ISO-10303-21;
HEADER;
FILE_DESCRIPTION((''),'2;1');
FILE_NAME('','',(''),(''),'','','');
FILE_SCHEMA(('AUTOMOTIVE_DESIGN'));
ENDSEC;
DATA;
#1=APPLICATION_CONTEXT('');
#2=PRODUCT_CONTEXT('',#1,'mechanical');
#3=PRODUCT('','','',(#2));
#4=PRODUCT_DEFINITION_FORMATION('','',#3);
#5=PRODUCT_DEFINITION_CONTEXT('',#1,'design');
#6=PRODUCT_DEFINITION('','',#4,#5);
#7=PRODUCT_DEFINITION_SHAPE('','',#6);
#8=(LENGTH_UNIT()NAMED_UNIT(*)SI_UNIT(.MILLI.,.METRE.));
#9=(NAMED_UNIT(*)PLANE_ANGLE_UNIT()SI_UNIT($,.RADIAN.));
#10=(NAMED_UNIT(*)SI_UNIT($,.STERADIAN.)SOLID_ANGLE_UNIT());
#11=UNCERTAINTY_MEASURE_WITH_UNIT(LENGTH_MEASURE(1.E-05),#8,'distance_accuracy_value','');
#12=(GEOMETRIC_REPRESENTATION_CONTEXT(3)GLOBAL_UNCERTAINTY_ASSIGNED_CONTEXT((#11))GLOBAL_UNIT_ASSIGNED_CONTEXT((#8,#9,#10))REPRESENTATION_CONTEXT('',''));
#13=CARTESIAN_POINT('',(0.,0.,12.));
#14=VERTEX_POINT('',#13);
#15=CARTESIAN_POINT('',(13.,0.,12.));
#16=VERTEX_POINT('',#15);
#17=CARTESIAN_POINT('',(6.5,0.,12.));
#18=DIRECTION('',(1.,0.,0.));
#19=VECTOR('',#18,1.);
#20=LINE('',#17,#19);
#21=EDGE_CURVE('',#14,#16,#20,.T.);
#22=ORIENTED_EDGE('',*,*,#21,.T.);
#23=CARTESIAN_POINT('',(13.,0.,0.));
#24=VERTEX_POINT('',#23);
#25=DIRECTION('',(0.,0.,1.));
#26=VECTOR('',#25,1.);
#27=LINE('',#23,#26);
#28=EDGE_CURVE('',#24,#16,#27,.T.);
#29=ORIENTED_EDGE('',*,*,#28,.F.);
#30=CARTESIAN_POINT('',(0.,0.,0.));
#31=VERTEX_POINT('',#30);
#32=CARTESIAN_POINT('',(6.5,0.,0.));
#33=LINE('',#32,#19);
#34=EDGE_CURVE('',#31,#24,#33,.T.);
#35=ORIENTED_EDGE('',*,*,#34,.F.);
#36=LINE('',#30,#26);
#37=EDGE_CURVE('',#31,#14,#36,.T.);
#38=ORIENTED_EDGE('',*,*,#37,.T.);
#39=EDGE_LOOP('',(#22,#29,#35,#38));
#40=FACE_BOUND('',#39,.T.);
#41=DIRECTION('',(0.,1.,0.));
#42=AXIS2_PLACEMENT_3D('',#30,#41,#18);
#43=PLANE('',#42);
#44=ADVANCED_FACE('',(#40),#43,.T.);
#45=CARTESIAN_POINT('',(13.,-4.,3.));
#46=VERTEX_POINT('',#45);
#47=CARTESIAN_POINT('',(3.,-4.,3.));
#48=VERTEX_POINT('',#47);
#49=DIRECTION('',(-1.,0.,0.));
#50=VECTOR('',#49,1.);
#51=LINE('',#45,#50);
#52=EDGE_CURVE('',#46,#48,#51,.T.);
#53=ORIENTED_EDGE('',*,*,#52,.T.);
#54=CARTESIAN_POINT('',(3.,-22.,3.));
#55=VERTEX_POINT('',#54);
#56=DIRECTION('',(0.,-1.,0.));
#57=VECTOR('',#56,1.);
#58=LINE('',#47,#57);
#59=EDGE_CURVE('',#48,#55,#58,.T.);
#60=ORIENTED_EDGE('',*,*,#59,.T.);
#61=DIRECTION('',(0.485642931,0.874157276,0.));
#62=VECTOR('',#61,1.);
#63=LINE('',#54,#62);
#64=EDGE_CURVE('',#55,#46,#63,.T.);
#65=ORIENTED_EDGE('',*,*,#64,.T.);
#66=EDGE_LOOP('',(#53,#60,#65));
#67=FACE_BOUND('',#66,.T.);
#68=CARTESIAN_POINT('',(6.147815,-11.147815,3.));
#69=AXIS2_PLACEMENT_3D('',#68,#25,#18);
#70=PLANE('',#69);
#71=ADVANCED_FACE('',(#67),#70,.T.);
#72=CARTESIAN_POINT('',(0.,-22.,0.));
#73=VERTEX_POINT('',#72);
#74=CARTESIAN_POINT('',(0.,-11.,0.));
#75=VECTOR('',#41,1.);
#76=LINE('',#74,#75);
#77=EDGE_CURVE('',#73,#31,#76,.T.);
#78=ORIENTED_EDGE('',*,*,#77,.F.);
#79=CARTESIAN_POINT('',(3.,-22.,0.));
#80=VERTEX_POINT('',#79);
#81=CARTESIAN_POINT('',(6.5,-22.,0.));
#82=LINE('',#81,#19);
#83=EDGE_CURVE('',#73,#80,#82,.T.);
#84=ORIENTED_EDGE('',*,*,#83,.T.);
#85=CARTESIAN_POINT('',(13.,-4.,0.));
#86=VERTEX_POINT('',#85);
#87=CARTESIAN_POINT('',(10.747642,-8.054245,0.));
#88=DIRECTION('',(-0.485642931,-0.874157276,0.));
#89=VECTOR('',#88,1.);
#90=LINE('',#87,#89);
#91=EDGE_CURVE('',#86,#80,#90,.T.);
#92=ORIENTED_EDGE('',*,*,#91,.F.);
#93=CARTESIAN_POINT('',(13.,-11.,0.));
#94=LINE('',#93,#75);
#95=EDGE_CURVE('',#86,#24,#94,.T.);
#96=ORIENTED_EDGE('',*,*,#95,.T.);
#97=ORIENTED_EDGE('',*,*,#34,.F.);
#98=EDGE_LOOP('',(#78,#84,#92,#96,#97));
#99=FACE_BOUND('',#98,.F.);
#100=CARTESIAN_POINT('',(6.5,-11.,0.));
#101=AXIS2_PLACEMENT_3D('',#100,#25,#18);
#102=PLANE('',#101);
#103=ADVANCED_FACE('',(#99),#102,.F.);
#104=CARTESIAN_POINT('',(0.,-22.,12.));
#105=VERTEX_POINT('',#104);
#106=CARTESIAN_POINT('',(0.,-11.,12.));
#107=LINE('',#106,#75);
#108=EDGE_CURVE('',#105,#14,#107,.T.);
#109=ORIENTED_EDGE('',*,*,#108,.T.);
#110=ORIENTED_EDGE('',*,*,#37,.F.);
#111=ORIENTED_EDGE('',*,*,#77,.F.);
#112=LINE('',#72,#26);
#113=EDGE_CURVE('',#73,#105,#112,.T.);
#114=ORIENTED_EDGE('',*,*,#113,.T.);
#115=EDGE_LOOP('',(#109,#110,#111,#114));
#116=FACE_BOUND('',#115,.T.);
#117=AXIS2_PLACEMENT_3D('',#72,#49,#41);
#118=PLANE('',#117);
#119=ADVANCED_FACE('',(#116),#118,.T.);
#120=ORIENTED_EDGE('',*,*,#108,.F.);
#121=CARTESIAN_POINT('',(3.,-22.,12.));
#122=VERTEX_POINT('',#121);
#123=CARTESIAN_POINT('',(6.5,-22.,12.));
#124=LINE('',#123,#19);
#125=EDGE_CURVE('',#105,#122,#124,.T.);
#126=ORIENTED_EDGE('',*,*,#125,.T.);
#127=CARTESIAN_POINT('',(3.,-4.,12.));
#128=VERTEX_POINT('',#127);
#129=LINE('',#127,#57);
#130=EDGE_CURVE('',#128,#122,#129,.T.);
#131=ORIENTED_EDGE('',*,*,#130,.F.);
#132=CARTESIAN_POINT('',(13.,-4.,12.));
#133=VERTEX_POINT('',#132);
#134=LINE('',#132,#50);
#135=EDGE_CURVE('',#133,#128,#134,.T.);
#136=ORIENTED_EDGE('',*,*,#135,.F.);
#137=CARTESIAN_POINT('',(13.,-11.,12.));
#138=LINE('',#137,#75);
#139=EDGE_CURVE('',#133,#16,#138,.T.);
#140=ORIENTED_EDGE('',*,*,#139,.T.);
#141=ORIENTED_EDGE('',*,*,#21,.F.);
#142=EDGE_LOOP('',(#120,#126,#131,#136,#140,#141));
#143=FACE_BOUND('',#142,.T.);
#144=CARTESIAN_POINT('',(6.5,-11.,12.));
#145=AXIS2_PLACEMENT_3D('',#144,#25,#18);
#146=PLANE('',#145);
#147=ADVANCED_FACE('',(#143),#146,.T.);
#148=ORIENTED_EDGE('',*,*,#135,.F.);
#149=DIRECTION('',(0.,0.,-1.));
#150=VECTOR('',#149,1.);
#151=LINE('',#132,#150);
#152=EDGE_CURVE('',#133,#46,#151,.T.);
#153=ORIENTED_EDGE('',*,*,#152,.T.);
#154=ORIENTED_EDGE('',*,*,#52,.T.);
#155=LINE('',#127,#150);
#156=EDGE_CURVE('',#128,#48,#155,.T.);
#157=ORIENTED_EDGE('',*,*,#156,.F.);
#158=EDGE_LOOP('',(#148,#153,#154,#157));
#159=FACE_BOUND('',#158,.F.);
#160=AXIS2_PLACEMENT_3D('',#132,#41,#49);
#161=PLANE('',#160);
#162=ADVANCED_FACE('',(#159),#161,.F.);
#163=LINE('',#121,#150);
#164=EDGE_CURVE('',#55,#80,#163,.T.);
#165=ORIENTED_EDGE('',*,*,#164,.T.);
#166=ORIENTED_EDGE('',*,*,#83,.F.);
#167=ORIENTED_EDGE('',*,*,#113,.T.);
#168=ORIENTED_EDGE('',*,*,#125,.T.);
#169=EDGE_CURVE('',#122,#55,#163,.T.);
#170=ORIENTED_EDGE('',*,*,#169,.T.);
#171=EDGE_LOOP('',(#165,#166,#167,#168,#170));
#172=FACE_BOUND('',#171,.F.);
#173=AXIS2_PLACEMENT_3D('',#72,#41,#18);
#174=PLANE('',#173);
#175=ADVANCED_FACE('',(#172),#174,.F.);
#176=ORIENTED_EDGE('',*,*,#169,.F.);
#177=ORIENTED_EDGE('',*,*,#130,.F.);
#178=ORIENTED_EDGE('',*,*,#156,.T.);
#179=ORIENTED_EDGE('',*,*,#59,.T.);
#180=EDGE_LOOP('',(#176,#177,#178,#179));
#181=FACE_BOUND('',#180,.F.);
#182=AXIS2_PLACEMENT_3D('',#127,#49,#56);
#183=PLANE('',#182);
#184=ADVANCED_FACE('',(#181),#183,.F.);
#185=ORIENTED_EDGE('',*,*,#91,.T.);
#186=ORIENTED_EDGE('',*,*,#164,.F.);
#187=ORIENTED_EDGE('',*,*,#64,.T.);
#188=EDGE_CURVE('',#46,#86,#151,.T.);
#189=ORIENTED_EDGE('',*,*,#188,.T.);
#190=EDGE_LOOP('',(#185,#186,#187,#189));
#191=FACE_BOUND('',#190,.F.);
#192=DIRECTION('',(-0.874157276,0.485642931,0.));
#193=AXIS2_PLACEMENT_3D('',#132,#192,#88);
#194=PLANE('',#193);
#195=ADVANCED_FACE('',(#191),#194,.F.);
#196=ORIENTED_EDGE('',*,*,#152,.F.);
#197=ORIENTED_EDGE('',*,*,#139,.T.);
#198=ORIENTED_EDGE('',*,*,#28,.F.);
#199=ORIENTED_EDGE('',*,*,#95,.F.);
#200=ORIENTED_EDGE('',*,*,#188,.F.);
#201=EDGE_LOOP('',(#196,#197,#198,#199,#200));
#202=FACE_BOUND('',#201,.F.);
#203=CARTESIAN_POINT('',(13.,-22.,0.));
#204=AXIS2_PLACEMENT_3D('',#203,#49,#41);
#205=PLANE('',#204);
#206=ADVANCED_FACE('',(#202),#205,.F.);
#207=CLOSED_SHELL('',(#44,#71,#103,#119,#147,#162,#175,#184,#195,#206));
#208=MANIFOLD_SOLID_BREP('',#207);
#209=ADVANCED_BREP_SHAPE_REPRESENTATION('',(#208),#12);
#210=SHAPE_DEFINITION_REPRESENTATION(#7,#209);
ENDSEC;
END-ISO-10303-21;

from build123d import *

# Parameters (mm, degrees)
F0_W     = 13
F0_H     = 22
F1_DEPTH = 12
F3_DEPTH = 12.001
F5_DEPTH = 9


with BuildPart() as f1:
    # F0 (on Top) → F1 (new body)
    with BuildSketch(Plane.XY):
        with Locations((6.5, -11)):
            Rectangle(F0_W, F0_H)
    extrude(amount=F1_DEPTH)

    # F2 (on face) → F3 (cut, through all)
    with BuildSketch(Plane.XY.offset(12)):
        Polygon((13, -22), (13, -4), (3, -22), align=None)
    extrude(amount=-F3_DEPTH, mode=Mode.SUBTRACT)

    # F4 (on face) → F5 (cut)
    with BuildSketch(Plane.XY.offset(12)):
        Polygon((3, -4), (3, -22), (13, -4), align=None)
    extrude(amount=-F5_DEPTH, mode=Mode.SUBTRACT)


solid = f1.part
